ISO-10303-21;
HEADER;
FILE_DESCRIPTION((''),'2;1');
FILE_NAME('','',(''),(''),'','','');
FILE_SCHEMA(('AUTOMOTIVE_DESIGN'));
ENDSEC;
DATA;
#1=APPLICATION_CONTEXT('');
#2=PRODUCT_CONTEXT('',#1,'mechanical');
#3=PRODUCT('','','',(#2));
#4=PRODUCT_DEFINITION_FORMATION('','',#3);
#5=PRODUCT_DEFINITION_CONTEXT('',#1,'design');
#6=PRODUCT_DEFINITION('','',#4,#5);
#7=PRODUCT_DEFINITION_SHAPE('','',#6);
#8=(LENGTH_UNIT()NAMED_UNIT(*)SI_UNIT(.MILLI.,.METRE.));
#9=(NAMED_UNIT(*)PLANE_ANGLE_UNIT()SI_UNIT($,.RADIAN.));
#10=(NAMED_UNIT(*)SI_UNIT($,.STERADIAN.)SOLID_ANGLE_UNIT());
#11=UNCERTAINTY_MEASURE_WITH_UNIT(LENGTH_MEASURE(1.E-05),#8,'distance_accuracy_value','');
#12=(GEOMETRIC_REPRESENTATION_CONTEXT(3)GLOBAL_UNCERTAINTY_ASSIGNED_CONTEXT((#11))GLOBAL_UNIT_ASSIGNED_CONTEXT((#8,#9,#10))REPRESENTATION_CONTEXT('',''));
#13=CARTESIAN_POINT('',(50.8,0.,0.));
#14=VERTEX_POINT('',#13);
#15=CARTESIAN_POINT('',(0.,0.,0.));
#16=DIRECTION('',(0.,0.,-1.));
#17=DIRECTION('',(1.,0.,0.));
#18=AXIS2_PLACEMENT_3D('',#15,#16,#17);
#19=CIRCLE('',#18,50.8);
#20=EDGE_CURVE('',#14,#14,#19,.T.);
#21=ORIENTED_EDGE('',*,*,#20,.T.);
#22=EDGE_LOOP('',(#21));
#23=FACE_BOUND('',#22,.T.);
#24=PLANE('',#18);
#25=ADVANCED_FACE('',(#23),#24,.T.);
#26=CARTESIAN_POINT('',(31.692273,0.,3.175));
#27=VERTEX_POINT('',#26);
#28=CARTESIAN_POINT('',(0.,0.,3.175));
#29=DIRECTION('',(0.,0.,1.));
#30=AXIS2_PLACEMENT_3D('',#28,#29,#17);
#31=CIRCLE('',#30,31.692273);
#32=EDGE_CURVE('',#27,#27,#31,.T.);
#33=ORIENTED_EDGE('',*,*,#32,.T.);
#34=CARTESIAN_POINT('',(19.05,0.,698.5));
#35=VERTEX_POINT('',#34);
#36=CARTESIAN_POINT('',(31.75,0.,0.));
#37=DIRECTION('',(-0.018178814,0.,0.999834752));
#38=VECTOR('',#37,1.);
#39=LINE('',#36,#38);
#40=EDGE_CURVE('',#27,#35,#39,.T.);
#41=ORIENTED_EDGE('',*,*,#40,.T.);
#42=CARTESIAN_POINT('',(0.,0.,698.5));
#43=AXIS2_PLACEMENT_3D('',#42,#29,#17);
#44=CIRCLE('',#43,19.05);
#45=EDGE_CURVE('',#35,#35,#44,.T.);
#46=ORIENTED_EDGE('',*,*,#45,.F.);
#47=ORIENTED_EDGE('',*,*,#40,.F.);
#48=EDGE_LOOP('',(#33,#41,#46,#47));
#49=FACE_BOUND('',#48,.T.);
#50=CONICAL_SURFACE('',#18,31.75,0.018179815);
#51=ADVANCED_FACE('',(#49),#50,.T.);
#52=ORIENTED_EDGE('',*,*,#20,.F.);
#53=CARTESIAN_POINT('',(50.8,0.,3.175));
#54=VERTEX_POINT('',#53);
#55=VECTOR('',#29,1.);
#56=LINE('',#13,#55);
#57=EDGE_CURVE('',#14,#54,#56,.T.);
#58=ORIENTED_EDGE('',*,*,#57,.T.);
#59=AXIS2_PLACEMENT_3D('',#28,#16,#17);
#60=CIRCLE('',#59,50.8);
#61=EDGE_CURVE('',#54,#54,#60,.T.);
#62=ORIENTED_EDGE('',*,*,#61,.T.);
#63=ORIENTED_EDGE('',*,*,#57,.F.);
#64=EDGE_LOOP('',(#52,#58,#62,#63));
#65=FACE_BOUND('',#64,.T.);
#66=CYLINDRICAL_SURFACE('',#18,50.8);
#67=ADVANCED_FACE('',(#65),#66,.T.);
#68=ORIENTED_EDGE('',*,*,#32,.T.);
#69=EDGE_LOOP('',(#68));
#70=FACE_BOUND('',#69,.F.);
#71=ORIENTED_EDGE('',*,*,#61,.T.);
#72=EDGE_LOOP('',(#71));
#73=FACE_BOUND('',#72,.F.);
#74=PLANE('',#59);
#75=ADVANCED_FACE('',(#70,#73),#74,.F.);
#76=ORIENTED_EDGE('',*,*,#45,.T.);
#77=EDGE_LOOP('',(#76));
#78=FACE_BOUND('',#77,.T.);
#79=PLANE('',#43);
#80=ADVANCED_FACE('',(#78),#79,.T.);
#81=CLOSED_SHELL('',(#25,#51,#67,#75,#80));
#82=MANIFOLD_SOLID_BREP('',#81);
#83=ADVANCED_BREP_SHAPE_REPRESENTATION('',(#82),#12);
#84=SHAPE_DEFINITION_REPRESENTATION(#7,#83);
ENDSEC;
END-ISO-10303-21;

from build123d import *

# Parameters (mm, degrees)
F2_R     = 50.8
F2_R_2   = 31.75
F3_DEPTH = 3.175


with BuildPart() as f1:
    # F0 (on Front) → F1 (revolve)
    with BuildSketch(Plane.XZ):
        Polygon((19.05, 698.5), (0, 698.5), (0, 0), (31.75, 0), align=None)
    revolve(axis=Axis((0, 0, 349.25), (0, 0, 1)))

    # F2 (on face) → F3 (join)
    with BuildSketch(Plane(origin=(0, 0, 0), x_dir=(1, 0, 0), z_dir=(0, 0, -1))):
        Circle(F2_R)
        Circle(F2_R_2, mode=Mode.SUBTRACT)
        Circle(F2_R_2)
    extrude(amount=-F3_DEPTH)


solid = f1.part
